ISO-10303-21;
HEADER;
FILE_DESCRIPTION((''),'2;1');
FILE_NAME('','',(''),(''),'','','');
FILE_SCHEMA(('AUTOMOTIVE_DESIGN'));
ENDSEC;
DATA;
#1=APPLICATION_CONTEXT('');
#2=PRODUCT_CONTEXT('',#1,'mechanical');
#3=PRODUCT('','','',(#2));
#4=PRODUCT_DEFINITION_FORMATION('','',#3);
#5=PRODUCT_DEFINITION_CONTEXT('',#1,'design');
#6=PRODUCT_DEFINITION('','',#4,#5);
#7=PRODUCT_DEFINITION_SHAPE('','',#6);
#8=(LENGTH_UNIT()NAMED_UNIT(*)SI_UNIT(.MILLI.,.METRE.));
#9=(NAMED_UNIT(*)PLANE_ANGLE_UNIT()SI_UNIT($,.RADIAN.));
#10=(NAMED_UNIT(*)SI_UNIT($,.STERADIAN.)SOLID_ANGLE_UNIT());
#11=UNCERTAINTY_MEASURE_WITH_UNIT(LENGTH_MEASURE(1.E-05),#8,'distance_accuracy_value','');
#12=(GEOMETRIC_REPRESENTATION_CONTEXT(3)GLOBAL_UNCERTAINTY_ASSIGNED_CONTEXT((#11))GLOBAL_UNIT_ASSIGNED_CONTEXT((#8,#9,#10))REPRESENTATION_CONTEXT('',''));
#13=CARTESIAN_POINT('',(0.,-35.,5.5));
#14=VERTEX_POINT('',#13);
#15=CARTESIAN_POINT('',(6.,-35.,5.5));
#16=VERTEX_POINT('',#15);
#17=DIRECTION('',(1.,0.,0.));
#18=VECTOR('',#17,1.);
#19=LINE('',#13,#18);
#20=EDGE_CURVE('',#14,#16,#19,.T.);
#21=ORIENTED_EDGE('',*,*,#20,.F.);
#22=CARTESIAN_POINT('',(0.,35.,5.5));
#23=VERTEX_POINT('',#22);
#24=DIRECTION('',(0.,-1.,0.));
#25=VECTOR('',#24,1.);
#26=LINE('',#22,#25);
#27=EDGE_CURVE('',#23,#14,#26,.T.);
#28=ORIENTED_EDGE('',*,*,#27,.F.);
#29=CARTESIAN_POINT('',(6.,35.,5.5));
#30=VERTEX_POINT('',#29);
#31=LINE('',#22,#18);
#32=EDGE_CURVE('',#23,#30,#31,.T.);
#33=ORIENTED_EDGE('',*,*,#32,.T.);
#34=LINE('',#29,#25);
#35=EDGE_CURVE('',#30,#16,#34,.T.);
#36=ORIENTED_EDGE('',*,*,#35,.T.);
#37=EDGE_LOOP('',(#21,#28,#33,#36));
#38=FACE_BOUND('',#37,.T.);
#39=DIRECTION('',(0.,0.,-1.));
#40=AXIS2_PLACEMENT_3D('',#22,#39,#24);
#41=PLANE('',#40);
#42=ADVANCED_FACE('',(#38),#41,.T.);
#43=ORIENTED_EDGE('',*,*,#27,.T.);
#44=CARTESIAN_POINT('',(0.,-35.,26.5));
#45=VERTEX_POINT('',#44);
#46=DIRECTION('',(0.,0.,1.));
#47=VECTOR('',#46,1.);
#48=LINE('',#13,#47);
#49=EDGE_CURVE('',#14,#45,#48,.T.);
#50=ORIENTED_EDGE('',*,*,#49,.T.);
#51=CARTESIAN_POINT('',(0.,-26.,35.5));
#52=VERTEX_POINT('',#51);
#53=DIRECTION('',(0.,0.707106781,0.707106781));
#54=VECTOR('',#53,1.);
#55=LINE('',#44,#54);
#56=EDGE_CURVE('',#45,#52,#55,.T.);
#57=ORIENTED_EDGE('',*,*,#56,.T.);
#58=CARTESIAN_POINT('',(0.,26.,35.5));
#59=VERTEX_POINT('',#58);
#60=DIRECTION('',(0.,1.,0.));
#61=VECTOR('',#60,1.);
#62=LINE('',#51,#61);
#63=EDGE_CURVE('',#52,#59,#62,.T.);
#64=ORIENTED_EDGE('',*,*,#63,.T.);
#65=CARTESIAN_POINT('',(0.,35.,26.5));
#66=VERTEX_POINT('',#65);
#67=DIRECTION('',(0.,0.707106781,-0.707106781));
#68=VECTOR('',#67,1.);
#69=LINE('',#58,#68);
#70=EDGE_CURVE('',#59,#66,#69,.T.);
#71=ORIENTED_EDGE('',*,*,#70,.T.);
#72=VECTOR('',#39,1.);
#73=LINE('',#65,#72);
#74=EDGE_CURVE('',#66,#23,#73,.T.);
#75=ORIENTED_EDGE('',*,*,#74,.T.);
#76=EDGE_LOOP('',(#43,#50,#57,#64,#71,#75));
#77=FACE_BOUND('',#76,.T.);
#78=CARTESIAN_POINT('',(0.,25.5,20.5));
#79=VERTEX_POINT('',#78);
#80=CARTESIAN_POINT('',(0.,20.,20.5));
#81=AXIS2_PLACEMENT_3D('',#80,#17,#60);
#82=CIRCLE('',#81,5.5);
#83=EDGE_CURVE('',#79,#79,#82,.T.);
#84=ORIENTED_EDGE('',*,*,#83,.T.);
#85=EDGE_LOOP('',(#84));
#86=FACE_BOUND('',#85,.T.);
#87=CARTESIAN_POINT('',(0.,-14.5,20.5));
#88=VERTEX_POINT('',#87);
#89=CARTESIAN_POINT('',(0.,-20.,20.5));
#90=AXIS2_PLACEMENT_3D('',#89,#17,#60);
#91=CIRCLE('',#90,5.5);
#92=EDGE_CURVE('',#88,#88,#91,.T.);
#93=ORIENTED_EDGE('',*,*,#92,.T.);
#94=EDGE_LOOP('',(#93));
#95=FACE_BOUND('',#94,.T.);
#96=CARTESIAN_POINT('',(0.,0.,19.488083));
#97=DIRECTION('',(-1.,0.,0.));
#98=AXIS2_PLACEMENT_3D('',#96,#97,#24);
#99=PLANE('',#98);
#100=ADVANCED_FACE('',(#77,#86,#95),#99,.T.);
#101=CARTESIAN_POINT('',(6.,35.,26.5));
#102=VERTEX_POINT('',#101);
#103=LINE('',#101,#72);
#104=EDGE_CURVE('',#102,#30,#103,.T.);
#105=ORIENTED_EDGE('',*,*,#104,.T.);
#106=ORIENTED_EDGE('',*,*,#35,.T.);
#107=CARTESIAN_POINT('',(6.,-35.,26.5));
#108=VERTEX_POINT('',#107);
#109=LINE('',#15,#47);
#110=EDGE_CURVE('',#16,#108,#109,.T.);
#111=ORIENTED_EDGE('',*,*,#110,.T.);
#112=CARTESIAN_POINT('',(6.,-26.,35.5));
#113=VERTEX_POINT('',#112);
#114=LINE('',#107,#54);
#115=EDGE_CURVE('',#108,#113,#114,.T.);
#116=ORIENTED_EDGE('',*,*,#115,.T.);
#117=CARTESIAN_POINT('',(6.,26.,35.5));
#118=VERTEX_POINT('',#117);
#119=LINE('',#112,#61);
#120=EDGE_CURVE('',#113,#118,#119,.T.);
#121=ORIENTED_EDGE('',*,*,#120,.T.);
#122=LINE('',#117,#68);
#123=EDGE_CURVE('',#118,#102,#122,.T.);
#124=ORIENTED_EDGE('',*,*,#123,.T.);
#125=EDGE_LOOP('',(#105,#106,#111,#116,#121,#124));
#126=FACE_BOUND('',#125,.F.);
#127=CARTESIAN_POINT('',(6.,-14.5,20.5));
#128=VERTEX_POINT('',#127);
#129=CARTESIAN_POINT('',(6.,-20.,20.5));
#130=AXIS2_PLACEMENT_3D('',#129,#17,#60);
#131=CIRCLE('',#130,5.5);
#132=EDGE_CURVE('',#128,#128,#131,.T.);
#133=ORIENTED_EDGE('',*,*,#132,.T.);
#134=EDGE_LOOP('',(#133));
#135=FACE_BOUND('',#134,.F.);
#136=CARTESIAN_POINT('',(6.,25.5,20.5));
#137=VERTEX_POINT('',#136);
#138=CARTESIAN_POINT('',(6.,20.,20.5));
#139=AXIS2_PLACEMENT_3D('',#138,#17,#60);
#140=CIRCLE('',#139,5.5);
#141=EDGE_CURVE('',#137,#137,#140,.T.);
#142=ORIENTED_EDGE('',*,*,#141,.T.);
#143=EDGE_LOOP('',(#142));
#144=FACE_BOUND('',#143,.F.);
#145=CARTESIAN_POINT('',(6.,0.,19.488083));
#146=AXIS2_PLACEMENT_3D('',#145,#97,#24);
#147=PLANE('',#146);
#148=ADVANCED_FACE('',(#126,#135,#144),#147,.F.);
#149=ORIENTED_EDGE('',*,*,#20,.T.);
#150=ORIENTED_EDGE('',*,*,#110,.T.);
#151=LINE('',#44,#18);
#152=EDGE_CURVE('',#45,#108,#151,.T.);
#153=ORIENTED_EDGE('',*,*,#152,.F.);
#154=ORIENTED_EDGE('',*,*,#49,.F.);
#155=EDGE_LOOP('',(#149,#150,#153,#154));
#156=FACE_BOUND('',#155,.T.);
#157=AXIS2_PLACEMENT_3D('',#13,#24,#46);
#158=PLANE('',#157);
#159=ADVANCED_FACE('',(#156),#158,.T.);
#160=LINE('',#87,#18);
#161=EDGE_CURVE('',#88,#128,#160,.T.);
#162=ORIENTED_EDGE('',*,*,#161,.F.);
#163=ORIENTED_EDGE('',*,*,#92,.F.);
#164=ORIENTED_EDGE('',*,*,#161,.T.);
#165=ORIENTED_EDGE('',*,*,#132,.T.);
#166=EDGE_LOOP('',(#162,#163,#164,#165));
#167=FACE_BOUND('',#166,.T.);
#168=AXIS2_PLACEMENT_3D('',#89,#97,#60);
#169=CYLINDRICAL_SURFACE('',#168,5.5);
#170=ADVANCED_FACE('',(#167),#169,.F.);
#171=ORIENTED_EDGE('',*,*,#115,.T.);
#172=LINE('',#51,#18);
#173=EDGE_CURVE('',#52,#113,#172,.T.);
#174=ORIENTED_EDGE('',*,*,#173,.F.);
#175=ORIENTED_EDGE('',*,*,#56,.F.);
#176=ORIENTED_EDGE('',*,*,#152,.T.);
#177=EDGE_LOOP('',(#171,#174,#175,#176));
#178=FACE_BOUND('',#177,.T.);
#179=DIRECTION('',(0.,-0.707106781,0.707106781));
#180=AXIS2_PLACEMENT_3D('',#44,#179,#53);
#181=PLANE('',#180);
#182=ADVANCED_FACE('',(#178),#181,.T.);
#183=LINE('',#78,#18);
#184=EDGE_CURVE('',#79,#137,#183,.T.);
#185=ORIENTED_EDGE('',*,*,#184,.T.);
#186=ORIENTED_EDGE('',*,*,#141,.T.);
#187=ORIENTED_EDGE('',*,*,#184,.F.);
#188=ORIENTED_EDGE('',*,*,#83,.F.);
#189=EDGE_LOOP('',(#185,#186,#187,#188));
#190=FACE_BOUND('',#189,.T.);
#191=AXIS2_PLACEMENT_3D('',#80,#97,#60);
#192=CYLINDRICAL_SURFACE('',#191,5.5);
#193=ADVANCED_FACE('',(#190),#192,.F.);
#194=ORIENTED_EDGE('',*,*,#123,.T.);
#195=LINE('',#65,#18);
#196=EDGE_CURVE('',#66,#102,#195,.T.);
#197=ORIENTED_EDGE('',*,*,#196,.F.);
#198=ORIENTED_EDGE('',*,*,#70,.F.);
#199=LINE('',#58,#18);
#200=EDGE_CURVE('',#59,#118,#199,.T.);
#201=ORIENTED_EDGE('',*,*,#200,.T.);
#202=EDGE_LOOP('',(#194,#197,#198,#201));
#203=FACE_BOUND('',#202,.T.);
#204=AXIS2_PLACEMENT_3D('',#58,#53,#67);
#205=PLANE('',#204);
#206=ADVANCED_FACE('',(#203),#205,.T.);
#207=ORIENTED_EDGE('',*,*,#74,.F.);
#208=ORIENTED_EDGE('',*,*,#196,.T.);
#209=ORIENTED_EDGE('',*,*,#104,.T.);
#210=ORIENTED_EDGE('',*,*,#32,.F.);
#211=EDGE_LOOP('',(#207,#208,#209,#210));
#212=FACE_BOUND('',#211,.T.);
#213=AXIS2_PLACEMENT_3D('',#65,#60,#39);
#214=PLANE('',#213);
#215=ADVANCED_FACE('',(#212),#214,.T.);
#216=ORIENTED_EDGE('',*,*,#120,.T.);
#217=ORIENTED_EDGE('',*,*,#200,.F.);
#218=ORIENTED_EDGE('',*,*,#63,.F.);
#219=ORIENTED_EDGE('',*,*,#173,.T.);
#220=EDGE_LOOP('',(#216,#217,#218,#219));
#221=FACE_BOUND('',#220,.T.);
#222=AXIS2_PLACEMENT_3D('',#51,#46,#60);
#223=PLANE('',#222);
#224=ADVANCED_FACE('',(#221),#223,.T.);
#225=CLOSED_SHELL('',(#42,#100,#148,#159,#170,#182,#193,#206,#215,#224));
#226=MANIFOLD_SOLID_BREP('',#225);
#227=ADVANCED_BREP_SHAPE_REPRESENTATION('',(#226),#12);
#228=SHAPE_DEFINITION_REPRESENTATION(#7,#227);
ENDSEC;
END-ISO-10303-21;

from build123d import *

# Parameters (mm, degrees)
SKETCH_R  = 5.5
PAD_DEPTH = 6


with BuildPart() as part:
    # Sketch → Pad (new body)
    with BuildSketch(Plane.YZ):
        Polygon((-26, 35.5), (26, 35.5), (35, 26.5), (35, 5.5), (-35, 5.5), (-35, 26.5), align=None)
        with Locations((-20, 20.5)):
            Circle(SKETCH_R, mode=Mode.SUBTRACT)
        with Locations((20, 20.5)):
            Circle(SKETCH_R, mode=Mode.SUBTRACT)
    extrude(amount=PAD_DEPTH)


solid = part.part
